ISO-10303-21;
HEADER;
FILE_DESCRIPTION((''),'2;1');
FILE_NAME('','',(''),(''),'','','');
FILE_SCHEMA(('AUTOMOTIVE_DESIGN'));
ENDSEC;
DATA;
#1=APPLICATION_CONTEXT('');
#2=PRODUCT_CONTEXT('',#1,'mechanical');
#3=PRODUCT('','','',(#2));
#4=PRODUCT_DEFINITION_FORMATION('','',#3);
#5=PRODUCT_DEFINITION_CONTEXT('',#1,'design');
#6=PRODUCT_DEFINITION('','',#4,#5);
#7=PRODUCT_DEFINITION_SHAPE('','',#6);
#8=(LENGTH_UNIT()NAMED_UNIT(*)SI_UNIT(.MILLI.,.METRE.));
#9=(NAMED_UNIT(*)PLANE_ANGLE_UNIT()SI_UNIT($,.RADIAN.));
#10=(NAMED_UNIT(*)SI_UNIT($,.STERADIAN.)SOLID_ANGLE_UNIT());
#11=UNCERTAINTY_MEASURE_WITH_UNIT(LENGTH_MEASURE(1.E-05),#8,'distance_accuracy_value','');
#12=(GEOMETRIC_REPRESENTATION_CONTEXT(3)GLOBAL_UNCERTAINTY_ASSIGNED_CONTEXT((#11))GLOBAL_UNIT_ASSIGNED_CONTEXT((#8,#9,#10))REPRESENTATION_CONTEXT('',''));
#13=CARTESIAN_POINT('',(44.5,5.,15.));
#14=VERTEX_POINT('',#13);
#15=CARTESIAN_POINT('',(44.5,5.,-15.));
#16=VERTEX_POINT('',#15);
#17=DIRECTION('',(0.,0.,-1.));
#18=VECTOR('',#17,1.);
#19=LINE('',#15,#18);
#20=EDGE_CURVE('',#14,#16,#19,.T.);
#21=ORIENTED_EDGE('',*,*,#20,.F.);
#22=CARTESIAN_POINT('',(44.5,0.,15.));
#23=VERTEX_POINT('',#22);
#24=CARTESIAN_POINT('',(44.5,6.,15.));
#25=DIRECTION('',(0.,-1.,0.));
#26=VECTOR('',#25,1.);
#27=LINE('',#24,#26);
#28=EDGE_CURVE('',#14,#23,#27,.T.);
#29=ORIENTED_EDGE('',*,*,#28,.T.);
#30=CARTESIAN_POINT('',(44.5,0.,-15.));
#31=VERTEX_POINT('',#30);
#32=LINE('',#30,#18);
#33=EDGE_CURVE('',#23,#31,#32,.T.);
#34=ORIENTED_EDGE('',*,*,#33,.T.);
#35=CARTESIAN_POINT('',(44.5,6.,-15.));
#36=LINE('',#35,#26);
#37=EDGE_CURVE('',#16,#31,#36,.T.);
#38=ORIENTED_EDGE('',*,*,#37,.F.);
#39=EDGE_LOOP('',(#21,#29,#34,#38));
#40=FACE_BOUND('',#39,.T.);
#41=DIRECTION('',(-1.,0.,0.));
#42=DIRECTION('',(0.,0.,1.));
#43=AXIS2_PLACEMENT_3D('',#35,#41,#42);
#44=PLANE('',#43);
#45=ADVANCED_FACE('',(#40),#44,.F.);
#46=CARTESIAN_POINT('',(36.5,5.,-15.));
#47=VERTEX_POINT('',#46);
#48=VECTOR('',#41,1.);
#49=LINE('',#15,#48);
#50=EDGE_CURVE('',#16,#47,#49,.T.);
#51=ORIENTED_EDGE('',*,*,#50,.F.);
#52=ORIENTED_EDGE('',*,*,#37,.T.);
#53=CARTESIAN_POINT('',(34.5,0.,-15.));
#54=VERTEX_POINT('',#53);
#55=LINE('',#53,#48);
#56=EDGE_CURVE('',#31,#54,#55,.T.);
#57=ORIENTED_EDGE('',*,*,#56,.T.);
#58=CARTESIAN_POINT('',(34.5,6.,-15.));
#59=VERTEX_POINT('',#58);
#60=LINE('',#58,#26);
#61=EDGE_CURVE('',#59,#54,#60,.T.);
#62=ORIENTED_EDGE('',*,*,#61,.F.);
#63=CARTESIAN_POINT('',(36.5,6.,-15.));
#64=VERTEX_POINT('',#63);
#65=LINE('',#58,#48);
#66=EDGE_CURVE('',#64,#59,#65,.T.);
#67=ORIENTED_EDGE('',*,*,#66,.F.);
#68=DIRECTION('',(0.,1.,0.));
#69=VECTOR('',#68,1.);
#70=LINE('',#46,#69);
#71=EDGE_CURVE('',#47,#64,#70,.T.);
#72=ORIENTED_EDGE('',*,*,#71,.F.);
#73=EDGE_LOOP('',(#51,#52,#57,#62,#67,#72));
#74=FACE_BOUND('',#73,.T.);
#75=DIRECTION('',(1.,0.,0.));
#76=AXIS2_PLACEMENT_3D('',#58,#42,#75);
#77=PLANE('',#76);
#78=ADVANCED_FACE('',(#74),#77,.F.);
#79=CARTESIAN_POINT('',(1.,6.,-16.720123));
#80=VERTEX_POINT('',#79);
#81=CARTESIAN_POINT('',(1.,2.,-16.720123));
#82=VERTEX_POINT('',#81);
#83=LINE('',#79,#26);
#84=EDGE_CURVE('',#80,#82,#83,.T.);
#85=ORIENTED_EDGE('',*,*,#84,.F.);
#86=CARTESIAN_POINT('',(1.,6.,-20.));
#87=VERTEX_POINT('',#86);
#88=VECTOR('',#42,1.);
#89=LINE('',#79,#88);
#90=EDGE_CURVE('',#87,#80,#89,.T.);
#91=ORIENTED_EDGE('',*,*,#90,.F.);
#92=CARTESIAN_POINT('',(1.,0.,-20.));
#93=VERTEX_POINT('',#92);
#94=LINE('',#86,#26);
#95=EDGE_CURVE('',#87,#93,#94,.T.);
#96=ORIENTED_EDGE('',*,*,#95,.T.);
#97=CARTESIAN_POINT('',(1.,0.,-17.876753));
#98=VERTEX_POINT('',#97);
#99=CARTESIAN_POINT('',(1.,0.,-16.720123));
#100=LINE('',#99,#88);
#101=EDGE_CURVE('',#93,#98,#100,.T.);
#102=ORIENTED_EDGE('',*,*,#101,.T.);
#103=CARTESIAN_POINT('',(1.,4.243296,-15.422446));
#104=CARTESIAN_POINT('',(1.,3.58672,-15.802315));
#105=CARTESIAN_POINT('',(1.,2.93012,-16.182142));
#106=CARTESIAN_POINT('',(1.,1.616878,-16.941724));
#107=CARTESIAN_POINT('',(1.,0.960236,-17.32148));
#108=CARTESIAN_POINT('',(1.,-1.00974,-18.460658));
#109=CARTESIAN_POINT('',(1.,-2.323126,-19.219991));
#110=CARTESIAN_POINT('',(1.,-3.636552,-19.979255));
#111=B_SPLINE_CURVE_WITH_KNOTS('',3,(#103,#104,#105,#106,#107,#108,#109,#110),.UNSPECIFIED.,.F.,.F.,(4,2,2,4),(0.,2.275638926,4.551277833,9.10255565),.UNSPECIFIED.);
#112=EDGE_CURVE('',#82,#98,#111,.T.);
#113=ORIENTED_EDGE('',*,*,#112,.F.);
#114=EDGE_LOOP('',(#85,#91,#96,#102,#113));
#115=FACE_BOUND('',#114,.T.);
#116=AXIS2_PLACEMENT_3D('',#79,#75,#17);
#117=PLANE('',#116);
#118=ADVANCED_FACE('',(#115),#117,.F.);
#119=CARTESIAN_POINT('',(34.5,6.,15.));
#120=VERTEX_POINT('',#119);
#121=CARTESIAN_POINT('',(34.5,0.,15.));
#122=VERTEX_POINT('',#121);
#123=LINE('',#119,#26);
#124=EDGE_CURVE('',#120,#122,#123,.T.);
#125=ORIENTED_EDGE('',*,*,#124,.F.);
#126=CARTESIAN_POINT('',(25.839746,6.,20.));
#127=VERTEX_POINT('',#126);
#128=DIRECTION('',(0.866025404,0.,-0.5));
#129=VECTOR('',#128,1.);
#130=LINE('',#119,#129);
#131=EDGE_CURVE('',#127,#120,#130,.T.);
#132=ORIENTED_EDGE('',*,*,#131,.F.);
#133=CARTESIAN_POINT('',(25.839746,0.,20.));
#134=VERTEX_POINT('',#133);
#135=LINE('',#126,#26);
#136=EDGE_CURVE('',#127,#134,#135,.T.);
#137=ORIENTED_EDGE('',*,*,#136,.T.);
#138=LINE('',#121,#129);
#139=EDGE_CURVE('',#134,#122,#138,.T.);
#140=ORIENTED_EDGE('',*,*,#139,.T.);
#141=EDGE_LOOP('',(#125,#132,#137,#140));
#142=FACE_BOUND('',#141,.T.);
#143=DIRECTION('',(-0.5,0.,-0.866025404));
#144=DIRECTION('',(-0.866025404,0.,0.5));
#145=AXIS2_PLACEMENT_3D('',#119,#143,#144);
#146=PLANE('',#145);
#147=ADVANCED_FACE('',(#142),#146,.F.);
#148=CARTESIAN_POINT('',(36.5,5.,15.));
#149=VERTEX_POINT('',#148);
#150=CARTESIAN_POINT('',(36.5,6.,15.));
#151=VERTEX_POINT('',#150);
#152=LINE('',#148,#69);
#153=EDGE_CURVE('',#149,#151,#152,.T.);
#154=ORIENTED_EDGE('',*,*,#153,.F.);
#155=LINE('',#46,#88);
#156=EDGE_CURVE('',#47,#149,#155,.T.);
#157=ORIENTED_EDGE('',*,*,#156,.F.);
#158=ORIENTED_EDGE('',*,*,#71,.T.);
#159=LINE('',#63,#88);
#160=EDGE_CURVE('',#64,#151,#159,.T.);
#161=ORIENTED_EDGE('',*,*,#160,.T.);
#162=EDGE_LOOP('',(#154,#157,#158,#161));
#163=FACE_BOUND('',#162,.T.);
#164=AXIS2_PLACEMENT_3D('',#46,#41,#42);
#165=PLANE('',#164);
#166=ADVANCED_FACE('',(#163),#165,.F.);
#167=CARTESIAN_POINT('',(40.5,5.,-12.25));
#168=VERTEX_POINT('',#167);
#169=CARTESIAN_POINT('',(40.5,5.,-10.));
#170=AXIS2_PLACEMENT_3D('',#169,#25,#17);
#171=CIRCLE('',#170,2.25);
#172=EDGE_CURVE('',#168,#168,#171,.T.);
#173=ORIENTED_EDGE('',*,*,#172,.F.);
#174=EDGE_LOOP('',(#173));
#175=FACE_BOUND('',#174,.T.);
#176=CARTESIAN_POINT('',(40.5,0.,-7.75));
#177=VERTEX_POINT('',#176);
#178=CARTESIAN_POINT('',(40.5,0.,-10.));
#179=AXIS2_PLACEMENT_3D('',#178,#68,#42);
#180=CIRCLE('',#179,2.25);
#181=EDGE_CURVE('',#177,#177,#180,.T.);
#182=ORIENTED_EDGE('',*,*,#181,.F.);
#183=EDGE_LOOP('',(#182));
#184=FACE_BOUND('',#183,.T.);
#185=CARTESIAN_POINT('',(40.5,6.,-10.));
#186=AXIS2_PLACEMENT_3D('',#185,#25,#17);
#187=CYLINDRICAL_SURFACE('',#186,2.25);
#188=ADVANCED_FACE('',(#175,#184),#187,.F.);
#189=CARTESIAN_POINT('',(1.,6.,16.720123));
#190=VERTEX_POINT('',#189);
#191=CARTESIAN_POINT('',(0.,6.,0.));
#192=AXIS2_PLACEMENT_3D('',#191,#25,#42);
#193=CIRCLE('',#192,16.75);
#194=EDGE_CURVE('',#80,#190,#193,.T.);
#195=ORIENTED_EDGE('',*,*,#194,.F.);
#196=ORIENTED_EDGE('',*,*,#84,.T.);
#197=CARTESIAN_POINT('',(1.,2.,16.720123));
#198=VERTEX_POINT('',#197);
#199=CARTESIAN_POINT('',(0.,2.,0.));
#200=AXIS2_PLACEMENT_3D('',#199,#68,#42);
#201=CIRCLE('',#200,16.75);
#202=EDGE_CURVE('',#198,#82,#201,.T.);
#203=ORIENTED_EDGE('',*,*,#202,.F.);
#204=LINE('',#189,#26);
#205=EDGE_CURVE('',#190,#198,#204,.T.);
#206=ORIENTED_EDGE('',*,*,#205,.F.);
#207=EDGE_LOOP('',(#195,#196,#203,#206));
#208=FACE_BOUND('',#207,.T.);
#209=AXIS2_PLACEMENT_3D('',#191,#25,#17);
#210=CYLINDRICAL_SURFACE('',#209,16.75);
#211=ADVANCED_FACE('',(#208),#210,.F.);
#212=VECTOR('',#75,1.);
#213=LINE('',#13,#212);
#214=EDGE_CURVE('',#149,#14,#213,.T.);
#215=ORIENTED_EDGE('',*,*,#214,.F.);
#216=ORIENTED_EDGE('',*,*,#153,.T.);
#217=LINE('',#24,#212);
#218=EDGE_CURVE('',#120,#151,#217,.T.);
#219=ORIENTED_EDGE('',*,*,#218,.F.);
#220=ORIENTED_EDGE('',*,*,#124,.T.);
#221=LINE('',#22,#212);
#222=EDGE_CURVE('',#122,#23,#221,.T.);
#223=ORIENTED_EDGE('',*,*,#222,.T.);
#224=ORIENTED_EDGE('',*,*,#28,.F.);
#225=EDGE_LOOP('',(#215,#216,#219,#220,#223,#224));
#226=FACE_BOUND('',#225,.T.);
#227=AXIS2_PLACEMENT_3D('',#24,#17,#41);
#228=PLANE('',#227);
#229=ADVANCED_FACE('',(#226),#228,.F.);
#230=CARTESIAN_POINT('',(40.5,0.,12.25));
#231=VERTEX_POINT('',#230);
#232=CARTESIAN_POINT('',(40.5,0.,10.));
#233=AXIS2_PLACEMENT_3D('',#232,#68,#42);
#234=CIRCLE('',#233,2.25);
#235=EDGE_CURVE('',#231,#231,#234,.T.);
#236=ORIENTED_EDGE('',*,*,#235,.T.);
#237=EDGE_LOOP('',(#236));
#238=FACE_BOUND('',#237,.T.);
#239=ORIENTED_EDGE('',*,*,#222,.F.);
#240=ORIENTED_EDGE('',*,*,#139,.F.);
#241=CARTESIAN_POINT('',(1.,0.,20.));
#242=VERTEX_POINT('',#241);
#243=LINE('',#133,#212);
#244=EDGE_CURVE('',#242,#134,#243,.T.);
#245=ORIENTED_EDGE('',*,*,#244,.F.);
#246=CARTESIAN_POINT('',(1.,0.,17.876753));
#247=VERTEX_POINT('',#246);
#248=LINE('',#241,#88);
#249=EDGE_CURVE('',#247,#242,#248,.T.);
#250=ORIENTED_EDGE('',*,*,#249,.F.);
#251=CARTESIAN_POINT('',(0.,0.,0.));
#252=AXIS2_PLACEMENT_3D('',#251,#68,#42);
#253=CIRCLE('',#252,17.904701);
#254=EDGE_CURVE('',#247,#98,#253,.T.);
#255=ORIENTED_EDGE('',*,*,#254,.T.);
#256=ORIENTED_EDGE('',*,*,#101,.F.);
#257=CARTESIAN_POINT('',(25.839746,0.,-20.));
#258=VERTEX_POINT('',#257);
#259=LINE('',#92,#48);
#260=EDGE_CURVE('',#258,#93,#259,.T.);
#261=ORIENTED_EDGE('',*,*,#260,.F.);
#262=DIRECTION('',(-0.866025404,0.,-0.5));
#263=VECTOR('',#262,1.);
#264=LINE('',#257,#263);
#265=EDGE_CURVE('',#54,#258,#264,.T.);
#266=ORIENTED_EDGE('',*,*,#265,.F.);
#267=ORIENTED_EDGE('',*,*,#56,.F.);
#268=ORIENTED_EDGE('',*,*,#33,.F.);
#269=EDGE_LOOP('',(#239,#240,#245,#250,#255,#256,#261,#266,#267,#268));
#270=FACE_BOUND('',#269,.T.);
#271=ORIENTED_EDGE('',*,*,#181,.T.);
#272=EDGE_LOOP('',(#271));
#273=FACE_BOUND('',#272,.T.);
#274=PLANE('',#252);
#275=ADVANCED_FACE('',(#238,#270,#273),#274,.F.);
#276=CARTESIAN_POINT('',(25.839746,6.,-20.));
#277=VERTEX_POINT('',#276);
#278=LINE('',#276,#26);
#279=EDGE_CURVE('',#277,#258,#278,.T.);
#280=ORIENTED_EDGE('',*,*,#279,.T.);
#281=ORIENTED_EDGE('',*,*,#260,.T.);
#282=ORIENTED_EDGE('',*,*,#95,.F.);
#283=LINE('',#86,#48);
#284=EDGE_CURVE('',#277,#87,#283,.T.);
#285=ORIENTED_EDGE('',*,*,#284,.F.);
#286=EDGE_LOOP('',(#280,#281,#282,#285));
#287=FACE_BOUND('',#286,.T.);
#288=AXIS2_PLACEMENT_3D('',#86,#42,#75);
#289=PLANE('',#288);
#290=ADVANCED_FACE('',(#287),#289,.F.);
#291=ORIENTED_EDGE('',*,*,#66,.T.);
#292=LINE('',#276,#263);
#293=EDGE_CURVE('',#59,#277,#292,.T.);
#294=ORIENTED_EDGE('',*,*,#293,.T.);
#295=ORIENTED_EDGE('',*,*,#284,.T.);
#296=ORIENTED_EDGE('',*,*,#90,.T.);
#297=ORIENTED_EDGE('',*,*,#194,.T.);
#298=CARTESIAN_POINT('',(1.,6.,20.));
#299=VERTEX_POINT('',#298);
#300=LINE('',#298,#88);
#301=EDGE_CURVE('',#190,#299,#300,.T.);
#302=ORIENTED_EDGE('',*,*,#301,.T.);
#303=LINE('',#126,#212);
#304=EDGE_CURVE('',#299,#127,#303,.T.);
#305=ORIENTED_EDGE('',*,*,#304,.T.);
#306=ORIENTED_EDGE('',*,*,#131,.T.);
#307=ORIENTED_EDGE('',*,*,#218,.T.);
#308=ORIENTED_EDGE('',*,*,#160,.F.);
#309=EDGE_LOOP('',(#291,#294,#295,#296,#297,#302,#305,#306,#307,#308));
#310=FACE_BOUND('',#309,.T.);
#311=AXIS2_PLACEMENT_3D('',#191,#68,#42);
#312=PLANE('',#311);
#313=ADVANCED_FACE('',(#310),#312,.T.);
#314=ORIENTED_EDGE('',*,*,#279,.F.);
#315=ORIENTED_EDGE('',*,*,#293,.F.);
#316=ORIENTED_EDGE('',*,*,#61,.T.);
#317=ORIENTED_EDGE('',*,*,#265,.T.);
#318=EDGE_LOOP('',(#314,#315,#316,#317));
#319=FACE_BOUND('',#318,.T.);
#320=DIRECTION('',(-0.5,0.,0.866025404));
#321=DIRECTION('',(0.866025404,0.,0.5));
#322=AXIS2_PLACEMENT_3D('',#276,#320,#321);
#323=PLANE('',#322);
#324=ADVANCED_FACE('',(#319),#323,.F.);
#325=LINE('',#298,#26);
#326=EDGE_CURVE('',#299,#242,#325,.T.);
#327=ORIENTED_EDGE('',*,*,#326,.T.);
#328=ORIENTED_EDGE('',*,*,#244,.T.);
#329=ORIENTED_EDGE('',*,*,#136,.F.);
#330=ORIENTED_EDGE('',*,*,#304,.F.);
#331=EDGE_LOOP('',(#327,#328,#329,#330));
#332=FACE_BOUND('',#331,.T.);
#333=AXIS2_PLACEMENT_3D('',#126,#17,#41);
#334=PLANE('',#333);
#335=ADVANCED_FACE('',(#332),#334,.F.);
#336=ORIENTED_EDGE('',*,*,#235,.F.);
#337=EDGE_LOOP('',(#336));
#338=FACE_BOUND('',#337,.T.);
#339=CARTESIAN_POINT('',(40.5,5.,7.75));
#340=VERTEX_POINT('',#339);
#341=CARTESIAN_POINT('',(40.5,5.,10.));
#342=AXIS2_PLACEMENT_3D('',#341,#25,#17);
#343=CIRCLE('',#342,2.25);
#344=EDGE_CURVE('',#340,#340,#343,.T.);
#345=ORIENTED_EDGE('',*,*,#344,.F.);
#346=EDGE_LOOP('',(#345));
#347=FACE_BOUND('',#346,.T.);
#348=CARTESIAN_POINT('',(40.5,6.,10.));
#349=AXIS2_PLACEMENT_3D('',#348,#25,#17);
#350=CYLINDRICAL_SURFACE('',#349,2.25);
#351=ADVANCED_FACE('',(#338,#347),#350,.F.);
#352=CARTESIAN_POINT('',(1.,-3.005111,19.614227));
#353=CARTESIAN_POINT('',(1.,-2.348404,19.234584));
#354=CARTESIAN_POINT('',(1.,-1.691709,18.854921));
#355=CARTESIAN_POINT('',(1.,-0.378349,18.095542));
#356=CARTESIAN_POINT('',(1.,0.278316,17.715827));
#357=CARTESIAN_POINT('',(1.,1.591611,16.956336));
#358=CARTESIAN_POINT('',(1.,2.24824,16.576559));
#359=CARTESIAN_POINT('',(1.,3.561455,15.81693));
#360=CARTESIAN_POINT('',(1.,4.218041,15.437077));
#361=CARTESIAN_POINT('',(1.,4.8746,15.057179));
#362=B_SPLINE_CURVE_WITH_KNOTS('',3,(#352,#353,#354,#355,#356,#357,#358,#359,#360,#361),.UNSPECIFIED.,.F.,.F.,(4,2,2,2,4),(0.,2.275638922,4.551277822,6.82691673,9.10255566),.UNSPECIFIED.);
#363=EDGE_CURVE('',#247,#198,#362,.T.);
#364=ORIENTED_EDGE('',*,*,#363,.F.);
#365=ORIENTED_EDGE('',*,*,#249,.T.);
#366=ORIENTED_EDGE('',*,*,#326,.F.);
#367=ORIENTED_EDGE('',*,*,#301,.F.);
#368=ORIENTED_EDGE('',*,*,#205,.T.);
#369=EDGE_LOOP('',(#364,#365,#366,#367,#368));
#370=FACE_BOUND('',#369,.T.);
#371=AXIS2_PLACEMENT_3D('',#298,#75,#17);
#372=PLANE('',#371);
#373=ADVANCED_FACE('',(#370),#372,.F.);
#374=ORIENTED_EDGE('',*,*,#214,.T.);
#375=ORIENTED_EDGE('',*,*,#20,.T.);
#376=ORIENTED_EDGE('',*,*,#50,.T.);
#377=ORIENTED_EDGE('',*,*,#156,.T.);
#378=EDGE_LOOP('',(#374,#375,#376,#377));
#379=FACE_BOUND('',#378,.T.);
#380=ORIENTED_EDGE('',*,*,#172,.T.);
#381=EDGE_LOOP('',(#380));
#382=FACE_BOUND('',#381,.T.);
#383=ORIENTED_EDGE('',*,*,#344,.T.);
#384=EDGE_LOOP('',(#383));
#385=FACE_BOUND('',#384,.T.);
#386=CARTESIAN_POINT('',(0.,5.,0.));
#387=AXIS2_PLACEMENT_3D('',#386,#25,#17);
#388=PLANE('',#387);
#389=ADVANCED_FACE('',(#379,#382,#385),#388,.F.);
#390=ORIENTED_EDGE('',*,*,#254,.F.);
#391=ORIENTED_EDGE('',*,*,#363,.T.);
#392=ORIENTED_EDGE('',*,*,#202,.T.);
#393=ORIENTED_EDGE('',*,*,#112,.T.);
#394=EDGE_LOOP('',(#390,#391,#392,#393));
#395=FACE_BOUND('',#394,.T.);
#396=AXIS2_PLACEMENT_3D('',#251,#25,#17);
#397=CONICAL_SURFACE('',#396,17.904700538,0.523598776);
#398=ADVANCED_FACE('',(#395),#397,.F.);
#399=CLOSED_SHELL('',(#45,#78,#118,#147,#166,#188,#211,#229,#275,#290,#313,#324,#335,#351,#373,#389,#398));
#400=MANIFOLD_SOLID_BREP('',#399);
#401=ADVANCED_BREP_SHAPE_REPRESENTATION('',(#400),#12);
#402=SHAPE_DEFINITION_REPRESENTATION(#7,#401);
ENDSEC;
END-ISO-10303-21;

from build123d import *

# Parameters (mm, degrees)
CROQUIS1_R              = 2.25
SALIENTE_EXTRUIR2_DEPTH = 6
CROQUIS2_W              = 8
CROQUIS2_H              = 30
CORTAR_EXTRUIR1_DEPTH   = 1


with BuildPart() as part:
    # Croquis1 → Saliente-Extruir2 (new body)
    with BuildSketch(Plane(origin=(0, 0, 0), x_dir=(1, 0, 0), z_dir=(0, 1, 0))):
        with BuildLine():
            Line((1, 20), (25.839745962, 20))
            Line((25.839745962, 20), (34.5, 15))
            Line((34.5, 15), (44.5, 15))
            Line((44.5, 15), (44.5, -15))
            Line((44.5, -15), (34.5, -15))
            Line((34.5, -15), (25.839745962, -20))
            Line((25.839745962, -20), (1, -20))
            Line((1, -20), (1, -16.720122607))
            ThreePointArc((1, -16.720122607), (16.75, 0), (1, 16.720122607))
            Line((1, 16.720122607), (1, 20))
        make_face()
        with Locations(Location((40.5, 10, 0), (0, 0, 270))):
            Circle(CROQUIS1_R, mode=Mode.SUBTRACT)
        with Locations(Location((40.5, -10, 0), (0, 0, 270))):
            Circle(CROQUIS1_R, mode=Mode.SUBTRACT)
    extrude(amount=SALIENTE_EXTRUIR2_DEPTH)

    # Croquis2 → Cortar-Extruir1 (cut)
    with BuildSketch(Plane(origin=(0, 6, 0), x_dir=(1, 0, 0), z_dir=(0, 1, 0))):
        with Locations((40.5, 0)):
            Rectangle(CROQUIS2_W, CROQUIS2_H)
    extrude(amount=-CORTAR_EXTRUIR1_DEPTH, mode=Mode.SUBTRACT)

    # Croquis3 → Cortar-Revolución1 (revolve, cut)
    with BuildSketch(Plane.XY):
        Polygon((16.75, 0), (16.75, 2), (17.904700538, 0), align=None)
    revolve(axis=Axis((0, 6, 0), (0, -1, 0)), mode=Mode.SUBTRACT)


solid = part.part
